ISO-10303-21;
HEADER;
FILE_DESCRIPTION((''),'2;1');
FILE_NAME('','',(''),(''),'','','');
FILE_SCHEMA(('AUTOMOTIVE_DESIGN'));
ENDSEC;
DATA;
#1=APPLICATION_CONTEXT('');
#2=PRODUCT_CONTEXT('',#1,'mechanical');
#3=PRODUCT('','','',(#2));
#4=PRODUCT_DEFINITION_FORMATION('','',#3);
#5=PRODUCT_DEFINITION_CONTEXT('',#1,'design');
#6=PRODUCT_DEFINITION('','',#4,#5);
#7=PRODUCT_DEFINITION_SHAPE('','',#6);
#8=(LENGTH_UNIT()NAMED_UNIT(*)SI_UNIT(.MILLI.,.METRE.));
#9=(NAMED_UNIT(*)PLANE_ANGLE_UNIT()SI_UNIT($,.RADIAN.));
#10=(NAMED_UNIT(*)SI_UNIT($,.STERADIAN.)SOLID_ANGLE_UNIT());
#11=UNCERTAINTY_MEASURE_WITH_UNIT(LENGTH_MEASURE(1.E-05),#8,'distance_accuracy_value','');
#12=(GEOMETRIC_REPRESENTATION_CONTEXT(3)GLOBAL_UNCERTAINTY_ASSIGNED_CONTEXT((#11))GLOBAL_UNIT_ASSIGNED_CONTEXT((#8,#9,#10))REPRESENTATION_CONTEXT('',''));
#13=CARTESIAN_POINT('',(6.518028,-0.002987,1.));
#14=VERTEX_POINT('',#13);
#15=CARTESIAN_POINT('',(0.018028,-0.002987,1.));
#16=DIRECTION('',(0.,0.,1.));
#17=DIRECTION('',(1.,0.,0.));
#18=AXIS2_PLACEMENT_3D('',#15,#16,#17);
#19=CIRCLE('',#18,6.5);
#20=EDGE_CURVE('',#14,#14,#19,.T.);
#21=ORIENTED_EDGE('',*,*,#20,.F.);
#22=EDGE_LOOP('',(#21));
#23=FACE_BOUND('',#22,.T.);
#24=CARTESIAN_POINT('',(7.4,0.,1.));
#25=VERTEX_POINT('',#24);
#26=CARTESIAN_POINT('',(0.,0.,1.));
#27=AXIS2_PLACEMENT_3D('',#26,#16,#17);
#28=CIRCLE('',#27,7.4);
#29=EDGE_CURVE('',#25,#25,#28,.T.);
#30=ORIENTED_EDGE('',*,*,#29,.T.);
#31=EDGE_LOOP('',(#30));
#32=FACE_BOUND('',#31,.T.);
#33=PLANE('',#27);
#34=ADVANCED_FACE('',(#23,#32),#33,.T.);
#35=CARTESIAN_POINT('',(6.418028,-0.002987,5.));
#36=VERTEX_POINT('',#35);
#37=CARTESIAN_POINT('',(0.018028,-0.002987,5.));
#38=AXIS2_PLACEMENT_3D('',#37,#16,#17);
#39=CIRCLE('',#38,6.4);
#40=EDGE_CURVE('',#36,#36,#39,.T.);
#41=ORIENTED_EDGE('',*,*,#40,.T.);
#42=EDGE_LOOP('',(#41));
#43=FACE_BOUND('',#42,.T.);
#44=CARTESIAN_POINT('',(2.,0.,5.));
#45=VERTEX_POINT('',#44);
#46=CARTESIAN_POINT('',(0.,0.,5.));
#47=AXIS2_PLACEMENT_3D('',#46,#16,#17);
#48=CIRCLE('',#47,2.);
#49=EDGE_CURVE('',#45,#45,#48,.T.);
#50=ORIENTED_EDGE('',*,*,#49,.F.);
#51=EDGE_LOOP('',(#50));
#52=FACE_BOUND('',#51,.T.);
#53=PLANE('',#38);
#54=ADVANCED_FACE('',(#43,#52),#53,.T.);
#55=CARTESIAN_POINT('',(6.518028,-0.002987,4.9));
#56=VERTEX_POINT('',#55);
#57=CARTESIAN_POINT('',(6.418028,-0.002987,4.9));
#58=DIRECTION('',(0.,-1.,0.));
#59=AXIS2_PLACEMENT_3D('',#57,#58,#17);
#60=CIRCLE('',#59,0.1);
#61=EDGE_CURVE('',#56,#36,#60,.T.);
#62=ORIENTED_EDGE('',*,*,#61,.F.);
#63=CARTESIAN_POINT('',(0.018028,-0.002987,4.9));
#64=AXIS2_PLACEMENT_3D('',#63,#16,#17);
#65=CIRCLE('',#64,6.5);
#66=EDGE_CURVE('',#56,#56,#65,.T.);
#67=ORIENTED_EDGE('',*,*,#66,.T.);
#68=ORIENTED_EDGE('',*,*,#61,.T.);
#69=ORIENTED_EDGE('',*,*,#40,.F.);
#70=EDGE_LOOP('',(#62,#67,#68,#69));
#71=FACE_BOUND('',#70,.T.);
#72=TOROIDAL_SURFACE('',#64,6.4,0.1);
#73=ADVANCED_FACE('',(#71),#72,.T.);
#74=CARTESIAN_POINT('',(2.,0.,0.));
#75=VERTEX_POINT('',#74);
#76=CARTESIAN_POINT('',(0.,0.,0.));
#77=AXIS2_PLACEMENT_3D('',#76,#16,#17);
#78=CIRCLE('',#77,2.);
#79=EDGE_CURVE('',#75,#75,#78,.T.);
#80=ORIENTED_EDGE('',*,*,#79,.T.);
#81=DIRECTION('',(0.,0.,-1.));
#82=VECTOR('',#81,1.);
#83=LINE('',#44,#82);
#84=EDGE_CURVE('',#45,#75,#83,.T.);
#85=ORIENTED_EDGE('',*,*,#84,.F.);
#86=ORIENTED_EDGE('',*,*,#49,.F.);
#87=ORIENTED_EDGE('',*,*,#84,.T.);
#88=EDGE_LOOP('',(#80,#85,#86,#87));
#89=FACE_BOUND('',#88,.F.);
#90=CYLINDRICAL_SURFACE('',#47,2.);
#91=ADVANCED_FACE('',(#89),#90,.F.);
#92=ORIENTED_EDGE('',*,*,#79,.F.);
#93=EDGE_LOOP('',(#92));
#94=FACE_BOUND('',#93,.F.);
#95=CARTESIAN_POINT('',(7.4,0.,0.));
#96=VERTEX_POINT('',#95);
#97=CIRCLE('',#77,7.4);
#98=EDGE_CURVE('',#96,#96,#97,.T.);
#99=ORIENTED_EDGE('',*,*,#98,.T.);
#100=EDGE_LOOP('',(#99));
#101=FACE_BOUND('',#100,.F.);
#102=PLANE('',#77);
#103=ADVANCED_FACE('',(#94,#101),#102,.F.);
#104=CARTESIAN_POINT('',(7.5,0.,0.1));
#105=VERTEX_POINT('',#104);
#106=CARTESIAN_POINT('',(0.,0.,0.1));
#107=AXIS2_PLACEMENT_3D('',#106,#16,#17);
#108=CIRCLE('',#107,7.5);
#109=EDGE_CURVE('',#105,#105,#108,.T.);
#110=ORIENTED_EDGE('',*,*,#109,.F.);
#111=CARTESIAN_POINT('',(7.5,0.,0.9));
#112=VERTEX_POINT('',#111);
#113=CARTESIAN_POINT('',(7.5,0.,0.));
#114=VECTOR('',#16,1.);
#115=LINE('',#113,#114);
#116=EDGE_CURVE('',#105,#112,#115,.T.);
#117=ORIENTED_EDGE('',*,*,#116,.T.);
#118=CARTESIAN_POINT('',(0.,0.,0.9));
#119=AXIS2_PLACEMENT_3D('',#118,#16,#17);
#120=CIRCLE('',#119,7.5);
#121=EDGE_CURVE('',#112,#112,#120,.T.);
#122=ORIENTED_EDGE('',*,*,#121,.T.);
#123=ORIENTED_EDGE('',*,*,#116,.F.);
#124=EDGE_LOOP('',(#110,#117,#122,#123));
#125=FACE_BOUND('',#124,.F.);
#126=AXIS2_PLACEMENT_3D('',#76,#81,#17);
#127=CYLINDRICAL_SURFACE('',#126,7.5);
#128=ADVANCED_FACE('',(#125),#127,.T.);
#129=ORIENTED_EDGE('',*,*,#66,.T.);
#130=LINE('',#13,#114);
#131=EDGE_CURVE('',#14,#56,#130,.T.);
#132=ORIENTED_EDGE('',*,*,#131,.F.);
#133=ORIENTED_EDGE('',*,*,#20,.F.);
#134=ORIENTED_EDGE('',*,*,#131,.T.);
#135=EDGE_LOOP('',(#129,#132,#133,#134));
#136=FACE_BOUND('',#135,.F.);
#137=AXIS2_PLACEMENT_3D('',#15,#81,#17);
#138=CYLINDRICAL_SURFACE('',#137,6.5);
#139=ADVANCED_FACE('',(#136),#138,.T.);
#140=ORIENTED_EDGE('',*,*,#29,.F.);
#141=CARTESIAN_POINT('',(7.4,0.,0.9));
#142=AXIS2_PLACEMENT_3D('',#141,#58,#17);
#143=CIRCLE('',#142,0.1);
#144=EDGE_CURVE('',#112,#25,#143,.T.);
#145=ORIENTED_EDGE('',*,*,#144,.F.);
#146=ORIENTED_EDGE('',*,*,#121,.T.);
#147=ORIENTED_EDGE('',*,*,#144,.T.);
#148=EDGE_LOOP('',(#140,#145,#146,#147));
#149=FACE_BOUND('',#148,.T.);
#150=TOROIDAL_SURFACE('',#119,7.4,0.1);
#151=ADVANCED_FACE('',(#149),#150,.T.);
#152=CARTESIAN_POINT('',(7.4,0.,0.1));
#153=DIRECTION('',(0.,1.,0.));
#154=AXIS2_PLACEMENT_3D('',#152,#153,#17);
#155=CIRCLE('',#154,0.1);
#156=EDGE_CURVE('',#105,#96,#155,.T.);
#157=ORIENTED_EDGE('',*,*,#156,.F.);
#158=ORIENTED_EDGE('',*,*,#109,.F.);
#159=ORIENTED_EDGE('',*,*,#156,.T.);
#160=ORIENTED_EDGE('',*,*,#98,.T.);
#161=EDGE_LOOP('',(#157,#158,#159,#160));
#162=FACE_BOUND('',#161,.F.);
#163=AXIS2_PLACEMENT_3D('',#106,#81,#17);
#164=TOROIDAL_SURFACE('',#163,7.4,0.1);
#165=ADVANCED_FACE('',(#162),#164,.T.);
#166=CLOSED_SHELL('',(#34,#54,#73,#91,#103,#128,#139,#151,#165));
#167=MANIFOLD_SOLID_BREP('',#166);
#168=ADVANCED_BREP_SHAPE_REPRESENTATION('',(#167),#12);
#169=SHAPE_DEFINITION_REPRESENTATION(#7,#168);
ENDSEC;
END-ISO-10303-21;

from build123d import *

# Parameters (mm, degrees)
SKETCH_R     = 7.5
PAD_DEPTH    = 1
SKETCH001_R  = 6.5
PAD001_DEPTH = 4
SKETCH002_R  = 2
POCKET_DEPTH = 5.001
FILLET_R     = 0.1


with BuildPart() as part:
    # Sketch → Pad (new body)
    with BuildSketch(Plane.XY):
        Circle(SKETCH_R)
    extrude(amount=PAD_DEPTH)

    # Sketch001 → Pad001 (new body)
    with BuildSketch(Plane.XY.offset(1)):
        with Locations((0.018028, -0.002987)):
            Circle(SKETCH001_R)
    extrude(amount=PAD001_DEPTH)

    # Sketch002 → Pocket (cut, through all)
    with BuildSketch(Plane.XY.offset(5)):
        Circle(SKETCH002_R)
    extrude(amount=-POCKET_DEPTH, mode=Mode.SUBTRACT)

    # Fillet
    fillet_edges = [part.edges().sort_by_distance(p)[0] for p in [
        (-7.5, 0, 1),
        (-7.5, 0, 0),
        (-6.481972, -0.002987, 5),
    ]]
    fillet(fillet_edges, radius=FILLET_R)


solid = part.part
